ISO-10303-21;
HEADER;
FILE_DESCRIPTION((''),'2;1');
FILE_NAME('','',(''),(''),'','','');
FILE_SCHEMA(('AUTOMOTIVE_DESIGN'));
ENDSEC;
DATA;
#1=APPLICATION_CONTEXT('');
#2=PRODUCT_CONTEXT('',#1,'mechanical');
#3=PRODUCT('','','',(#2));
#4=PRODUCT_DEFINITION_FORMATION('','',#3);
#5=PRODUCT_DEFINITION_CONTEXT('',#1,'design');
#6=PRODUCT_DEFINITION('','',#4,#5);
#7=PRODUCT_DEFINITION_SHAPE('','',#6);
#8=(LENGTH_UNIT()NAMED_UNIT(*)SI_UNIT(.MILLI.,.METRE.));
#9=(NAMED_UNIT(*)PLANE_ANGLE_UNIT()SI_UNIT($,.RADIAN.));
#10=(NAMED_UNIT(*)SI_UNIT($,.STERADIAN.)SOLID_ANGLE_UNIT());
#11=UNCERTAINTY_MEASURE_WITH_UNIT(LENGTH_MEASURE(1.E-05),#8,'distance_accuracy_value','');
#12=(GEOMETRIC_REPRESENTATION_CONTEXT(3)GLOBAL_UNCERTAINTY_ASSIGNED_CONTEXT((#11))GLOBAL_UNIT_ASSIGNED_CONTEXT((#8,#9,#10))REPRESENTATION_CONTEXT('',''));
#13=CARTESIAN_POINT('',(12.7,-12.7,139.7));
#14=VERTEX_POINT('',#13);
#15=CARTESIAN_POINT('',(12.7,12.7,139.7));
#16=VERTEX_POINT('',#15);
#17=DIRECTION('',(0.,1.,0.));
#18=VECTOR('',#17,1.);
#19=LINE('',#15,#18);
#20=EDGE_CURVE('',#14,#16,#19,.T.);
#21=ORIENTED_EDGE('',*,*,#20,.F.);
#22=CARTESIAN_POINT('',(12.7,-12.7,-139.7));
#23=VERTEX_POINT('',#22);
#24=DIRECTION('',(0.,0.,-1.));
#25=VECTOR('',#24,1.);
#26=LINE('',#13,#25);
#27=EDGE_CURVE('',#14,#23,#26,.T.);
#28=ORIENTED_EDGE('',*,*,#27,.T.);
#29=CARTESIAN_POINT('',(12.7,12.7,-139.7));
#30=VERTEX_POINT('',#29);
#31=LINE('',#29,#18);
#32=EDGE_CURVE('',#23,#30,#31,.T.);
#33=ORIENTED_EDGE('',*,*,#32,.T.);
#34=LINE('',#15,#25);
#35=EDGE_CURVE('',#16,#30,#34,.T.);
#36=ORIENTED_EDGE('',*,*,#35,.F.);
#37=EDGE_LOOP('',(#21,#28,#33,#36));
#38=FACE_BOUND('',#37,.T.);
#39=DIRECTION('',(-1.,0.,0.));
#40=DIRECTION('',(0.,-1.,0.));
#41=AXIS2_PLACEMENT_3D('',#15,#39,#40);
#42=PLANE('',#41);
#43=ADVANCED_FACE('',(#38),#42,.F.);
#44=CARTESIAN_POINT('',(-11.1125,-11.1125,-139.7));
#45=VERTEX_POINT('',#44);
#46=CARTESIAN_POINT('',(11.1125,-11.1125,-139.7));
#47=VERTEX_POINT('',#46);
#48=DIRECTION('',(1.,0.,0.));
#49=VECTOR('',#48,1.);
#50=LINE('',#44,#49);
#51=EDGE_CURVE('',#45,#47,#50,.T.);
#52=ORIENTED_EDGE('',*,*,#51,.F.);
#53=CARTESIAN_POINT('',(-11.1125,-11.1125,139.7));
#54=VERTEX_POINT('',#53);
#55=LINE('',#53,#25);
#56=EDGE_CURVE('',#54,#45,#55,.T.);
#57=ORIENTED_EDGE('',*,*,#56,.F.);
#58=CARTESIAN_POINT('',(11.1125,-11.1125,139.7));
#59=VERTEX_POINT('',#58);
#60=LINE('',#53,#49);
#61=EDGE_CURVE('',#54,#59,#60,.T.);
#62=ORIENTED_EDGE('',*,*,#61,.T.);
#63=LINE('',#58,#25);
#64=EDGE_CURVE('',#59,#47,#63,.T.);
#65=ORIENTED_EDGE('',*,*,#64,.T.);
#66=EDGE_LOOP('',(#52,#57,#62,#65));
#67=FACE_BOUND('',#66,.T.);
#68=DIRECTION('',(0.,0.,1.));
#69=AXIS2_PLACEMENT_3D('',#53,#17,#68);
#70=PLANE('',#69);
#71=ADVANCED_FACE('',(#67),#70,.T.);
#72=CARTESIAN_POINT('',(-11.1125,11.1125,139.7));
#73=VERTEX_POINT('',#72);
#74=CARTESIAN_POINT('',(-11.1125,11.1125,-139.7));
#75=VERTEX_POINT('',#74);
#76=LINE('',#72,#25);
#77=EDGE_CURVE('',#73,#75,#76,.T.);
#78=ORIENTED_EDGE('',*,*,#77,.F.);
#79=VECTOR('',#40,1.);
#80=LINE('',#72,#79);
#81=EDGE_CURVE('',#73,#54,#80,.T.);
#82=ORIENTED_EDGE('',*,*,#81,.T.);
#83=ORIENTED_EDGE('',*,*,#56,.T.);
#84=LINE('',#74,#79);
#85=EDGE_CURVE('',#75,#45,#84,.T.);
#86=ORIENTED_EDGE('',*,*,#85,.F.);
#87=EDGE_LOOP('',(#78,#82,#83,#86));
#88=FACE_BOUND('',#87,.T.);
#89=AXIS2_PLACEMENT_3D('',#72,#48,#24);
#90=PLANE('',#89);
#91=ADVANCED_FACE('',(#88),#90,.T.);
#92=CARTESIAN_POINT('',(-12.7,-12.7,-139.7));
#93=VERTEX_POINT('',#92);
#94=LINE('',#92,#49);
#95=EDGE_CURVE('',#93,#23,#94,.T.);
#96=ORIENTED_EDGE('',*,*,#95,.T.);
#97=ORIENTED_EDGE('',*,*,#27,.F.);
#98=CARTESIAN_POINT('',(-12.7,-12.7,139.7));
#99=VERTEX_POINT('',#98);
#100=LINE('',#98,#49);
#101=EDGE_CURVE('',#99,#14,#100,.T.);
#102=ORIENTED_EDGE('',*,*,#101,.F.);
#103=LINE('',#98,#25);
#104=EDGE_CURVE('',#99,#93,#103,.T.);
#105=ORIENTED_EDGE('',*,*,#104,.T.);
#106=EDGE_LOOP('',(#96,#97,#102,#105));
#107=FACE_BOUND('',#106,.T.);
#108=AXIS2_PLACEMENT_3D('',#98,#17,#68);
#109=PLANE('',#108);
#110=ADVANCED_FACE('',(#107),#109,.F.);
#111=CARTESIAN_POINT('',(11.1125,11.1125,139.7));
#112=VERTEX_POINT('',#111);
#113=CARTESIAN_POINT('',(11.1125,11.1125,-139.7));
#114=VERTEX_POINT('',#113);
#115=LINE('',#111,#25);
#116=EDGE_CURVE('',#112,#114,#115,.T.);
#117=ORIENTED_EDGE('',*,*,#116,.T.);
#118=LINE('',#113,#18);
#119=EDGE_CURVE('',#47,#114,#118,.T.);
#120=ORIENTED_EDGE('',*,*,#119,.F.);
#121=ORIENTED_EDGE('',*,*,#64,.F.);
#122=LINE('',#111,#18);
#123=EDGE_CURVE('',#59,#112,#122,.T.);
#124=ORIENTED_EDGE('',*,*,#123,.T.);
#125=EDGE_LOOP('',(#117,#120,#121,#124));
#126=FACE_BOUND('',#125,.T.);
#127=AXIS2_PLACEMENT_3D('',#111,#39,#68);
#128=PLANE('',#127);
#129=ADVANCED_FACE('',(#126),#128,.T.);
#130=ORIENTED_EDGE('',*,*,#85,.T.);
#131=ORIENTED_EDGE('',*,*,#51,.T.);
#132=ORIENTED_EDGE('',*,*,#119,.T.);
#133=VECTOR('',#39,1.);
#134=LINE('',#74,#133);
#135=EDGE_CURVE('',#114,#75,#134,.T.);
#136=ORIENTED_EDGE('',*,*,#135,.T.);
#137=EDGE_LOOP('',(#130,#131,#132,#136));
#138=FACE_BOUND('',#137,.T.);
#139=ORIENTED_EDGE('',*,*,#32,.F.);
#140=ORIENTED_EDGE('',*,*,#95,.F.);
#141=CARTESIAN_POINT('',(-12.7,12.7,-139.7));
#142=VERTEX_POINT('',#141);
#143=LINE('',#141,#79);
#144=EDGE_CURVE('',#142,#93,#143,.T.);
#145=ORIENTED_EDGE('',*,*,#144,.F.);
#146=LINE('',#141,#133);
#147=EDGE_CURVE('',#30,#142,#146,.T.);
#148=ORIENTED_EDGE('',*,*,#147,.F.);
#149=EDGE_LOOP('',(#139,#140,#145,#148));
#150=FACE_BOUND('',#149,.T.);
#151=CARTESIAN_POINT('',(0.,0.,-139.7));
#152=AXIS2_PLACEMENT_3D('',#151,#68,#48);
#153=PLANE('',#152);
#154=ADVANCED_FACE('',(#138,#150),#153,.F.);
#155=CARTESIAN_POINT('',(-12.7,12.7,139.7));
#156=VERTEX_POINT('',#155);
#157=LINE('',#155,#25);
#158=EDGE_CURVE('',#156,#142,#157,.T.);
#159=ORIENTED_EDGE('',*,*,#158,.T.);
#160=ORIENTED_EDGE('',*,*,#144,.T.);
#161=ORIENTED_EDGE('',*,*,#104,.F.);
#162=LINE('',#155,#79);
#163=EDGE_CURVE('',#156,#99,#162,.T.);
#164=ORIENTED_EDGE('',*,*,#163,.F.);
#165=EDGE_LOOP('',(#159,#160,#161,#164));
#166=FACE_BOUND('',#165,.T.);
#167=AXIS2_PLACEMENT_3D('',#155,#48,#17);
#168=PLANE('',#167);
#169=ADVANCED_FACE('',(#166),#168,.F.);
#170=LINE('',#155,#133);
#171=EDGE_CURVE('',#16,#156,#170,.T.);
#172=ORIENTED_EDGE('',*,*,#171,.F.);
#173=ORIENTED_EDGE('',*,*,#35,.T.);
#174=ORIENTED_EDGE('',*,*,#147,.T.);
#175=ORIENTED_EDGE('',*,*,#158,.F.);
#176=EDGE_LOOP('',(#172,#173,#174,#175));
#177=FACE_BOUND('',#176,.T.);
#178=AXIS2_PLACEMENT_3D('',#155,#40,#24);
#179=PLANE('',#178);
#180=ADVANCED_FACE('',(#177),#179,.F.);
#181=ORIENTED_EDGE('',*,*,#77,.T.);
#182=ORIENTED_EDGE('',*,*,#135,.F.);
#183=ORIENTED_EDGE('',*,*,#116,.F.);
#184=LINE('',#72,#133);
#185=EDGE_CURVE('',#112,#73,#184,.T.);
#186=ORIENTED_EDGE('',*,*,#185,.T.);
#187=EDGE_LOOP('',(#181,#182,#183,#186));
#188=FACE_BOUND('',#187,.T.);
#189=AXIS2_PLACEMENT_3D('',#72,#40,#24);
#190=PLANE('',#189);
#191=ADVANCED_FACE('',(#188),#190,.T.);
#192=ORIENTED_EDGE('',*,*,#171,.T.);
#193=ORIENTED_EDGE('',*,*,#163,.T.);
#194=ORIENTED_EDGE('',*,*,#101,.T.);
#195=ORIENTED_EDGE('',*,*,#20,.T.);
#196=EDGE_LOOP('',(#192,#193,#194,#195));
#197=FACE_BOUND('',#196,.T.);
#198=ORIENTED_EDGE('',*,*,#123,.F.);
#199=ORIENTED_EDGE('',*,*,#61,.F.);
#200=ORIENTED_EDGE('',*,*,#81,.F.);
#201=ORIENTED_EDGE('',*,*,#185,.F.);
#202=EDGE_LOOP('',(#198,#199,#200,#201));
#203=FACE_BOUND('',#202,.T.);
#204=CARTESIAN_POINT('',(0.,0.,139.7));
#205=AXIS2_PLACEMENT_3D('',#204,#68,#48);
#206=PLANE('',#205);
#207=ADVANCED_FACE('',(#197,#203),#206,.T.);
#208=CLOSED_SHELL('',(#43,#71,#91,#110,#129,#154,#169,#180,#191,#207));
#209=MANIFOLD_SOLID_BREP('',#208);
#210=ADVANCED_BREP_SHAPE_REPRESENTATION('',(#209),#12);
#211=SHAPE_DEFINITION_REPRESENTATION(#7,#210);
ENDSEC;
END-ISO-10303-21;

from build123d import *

# Parameters (mm, degrees)
SKETCH1_W           = 25.4
SKETCH1_H           = 25.4
SKETCH1_W_2         = 22.225
SKETCH1_H_2         = 22.225
BOSS_EXTRUDE1_DEPTH = 139.7


with BuildPart() as part:
    # Sketch1 → Boss-Extrude1 (new, symmetric)
    with BuildSketch(Plane.XY):
        Rectangle(SKETCH1_W, SKETCH1_H)
        Rectangle(SKETCH1_W_2, SKETCH1_H_2, mode=Mode.SUBTRACT)
    extrude(amount=BOSS_EXTRUDE1_DEPTH, both=True)


solid = part.part
